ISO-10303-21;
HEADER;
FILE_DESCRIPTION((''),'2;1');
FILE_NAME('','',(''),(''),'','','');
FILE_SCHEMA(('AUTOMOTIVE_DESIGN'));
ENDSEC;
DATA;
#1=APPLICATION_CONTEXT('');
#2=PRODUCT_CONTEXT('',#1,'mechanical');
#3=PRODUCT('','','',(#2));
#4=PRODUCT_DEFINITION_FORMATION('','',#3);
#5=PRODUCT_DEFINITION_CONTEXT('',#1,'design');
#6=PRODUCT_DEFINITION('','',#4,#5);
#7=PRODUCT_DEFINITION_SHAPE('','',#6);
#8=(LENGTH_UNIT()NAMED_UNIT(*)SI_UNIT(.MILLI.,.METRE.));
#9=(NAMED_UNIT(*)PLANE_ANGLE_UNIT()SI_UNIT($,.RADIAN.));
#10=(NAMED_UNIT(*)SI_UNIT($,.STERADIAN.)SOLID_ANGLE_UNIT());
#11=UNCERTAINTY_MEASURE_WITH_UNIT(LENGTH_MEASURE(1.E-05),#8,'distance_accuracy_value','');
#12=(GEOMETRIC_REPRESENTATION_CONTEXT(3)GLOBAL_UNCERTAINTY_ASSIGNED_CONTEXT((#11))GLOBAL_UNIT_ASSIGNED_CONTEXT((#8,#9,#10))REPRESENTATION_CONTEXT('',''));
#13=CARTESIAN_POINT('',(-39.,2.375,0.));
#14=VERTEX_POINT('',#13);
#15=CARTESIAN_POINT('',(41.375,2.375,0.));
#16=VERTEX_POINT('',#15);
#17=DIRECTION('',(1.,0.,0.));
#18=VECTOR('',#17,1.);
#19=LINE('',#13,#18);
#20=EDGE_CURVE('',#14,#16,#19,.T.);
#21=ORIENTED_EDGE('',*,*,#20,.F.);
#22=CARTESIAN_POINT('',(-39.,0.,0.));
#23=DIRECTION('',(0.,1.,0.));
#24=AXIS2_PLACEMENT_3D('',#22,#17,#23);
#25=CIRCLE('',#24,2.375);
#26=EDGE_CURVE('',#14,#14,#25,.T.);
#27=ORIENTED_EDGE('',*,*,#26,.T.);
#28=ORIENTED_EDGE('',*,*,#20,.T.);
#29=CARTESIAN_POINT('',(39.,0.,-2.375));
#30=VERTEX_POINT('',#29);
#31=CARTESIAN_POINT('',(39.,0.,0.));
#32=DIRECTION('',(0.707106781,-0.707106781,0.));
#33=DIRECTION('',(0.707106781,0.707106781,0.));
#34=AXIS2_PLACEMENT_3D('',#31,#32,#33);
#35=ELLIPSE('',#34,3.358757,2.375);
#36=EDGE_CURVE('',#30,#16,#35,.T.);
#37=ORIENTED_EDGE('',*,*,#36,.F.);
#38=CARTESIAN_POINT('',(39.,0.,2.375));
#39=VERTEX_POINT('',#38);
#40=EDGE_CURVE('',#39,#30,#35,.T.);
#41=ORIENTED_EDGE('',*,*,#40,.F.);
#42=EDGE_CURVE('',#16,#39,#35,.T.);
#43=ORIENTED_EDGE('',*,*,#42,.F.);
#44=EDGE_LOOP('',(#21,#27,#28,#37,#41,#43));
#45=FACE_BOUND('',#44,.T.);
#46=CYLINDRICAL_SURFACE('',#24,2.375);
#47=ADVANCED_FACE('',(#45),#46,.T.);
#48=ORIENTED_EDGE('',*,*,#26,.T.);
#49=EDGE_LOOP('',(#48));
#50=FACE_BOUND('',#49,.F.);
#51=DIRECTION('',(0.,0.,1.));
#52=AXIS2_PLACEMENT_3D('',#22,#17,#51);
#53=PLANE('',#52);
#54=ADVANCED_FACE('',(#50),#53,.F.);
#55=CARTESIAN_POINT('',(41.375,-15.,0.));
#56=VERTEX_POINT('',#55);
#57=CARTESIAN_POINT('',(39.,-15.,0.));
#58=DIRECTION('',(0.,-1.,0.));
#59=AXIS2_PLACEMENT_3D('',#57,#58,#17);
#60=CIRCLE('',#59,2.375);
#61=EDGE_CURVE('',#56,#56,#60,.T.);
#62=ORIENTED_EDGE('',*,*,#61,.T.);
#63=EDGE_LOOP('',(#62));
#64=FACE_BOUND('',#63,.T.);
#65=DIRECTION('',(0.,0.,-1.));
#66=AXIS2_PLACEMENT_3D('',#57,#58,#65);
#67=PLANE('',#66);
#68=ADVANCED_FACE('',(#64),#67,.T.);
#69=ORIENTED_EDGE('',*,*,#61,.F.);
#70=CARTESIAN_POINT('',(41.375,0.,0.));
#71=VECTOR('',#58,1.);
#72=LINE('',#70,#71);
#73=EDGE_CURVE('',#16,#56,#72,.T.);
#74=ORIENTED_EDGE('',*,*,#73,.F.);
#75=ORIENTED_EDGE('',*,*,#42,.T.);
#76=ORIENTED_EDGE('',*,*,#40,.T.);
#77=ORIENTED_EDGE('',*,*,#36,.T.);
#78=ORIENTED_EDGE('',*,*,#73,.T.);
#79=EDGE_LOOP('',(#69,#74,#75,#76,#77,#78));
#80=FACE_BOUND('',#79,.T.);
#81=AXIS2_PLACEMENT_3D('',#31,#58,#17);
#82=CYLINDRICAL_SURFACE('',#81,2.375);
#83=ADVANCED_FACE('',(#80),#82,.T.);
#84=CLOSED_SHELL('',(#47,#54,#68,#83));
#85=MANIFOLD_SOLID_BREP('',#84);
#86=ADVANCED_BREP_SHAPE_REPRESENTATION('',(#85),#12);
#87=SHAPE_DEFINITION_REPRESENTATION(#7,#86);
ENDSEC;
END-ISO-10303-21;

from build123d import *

# Parameters (mm, degrees)
F2_R = 2.375


with BuildPart() as f5:
    # F5: sweep along a path in F5_path
    with BuildLine(Plane(origin=(-39, 0, 0), x_dir=(0, 1, 0), z_dir=(0, 0, 1))) as f5_path:
        Line((0, 0), (0, -78))
        Line((0, -78), (-15, -78))
    # F2 (on plane+point) → F5 (sweep)
    with BuildSketch(Plane.YZ.offset(-39)):
        Circle(F2_R)
    sweep(path=f5_path.line, transition=Transition.RIGHT)


solid = f5.part
